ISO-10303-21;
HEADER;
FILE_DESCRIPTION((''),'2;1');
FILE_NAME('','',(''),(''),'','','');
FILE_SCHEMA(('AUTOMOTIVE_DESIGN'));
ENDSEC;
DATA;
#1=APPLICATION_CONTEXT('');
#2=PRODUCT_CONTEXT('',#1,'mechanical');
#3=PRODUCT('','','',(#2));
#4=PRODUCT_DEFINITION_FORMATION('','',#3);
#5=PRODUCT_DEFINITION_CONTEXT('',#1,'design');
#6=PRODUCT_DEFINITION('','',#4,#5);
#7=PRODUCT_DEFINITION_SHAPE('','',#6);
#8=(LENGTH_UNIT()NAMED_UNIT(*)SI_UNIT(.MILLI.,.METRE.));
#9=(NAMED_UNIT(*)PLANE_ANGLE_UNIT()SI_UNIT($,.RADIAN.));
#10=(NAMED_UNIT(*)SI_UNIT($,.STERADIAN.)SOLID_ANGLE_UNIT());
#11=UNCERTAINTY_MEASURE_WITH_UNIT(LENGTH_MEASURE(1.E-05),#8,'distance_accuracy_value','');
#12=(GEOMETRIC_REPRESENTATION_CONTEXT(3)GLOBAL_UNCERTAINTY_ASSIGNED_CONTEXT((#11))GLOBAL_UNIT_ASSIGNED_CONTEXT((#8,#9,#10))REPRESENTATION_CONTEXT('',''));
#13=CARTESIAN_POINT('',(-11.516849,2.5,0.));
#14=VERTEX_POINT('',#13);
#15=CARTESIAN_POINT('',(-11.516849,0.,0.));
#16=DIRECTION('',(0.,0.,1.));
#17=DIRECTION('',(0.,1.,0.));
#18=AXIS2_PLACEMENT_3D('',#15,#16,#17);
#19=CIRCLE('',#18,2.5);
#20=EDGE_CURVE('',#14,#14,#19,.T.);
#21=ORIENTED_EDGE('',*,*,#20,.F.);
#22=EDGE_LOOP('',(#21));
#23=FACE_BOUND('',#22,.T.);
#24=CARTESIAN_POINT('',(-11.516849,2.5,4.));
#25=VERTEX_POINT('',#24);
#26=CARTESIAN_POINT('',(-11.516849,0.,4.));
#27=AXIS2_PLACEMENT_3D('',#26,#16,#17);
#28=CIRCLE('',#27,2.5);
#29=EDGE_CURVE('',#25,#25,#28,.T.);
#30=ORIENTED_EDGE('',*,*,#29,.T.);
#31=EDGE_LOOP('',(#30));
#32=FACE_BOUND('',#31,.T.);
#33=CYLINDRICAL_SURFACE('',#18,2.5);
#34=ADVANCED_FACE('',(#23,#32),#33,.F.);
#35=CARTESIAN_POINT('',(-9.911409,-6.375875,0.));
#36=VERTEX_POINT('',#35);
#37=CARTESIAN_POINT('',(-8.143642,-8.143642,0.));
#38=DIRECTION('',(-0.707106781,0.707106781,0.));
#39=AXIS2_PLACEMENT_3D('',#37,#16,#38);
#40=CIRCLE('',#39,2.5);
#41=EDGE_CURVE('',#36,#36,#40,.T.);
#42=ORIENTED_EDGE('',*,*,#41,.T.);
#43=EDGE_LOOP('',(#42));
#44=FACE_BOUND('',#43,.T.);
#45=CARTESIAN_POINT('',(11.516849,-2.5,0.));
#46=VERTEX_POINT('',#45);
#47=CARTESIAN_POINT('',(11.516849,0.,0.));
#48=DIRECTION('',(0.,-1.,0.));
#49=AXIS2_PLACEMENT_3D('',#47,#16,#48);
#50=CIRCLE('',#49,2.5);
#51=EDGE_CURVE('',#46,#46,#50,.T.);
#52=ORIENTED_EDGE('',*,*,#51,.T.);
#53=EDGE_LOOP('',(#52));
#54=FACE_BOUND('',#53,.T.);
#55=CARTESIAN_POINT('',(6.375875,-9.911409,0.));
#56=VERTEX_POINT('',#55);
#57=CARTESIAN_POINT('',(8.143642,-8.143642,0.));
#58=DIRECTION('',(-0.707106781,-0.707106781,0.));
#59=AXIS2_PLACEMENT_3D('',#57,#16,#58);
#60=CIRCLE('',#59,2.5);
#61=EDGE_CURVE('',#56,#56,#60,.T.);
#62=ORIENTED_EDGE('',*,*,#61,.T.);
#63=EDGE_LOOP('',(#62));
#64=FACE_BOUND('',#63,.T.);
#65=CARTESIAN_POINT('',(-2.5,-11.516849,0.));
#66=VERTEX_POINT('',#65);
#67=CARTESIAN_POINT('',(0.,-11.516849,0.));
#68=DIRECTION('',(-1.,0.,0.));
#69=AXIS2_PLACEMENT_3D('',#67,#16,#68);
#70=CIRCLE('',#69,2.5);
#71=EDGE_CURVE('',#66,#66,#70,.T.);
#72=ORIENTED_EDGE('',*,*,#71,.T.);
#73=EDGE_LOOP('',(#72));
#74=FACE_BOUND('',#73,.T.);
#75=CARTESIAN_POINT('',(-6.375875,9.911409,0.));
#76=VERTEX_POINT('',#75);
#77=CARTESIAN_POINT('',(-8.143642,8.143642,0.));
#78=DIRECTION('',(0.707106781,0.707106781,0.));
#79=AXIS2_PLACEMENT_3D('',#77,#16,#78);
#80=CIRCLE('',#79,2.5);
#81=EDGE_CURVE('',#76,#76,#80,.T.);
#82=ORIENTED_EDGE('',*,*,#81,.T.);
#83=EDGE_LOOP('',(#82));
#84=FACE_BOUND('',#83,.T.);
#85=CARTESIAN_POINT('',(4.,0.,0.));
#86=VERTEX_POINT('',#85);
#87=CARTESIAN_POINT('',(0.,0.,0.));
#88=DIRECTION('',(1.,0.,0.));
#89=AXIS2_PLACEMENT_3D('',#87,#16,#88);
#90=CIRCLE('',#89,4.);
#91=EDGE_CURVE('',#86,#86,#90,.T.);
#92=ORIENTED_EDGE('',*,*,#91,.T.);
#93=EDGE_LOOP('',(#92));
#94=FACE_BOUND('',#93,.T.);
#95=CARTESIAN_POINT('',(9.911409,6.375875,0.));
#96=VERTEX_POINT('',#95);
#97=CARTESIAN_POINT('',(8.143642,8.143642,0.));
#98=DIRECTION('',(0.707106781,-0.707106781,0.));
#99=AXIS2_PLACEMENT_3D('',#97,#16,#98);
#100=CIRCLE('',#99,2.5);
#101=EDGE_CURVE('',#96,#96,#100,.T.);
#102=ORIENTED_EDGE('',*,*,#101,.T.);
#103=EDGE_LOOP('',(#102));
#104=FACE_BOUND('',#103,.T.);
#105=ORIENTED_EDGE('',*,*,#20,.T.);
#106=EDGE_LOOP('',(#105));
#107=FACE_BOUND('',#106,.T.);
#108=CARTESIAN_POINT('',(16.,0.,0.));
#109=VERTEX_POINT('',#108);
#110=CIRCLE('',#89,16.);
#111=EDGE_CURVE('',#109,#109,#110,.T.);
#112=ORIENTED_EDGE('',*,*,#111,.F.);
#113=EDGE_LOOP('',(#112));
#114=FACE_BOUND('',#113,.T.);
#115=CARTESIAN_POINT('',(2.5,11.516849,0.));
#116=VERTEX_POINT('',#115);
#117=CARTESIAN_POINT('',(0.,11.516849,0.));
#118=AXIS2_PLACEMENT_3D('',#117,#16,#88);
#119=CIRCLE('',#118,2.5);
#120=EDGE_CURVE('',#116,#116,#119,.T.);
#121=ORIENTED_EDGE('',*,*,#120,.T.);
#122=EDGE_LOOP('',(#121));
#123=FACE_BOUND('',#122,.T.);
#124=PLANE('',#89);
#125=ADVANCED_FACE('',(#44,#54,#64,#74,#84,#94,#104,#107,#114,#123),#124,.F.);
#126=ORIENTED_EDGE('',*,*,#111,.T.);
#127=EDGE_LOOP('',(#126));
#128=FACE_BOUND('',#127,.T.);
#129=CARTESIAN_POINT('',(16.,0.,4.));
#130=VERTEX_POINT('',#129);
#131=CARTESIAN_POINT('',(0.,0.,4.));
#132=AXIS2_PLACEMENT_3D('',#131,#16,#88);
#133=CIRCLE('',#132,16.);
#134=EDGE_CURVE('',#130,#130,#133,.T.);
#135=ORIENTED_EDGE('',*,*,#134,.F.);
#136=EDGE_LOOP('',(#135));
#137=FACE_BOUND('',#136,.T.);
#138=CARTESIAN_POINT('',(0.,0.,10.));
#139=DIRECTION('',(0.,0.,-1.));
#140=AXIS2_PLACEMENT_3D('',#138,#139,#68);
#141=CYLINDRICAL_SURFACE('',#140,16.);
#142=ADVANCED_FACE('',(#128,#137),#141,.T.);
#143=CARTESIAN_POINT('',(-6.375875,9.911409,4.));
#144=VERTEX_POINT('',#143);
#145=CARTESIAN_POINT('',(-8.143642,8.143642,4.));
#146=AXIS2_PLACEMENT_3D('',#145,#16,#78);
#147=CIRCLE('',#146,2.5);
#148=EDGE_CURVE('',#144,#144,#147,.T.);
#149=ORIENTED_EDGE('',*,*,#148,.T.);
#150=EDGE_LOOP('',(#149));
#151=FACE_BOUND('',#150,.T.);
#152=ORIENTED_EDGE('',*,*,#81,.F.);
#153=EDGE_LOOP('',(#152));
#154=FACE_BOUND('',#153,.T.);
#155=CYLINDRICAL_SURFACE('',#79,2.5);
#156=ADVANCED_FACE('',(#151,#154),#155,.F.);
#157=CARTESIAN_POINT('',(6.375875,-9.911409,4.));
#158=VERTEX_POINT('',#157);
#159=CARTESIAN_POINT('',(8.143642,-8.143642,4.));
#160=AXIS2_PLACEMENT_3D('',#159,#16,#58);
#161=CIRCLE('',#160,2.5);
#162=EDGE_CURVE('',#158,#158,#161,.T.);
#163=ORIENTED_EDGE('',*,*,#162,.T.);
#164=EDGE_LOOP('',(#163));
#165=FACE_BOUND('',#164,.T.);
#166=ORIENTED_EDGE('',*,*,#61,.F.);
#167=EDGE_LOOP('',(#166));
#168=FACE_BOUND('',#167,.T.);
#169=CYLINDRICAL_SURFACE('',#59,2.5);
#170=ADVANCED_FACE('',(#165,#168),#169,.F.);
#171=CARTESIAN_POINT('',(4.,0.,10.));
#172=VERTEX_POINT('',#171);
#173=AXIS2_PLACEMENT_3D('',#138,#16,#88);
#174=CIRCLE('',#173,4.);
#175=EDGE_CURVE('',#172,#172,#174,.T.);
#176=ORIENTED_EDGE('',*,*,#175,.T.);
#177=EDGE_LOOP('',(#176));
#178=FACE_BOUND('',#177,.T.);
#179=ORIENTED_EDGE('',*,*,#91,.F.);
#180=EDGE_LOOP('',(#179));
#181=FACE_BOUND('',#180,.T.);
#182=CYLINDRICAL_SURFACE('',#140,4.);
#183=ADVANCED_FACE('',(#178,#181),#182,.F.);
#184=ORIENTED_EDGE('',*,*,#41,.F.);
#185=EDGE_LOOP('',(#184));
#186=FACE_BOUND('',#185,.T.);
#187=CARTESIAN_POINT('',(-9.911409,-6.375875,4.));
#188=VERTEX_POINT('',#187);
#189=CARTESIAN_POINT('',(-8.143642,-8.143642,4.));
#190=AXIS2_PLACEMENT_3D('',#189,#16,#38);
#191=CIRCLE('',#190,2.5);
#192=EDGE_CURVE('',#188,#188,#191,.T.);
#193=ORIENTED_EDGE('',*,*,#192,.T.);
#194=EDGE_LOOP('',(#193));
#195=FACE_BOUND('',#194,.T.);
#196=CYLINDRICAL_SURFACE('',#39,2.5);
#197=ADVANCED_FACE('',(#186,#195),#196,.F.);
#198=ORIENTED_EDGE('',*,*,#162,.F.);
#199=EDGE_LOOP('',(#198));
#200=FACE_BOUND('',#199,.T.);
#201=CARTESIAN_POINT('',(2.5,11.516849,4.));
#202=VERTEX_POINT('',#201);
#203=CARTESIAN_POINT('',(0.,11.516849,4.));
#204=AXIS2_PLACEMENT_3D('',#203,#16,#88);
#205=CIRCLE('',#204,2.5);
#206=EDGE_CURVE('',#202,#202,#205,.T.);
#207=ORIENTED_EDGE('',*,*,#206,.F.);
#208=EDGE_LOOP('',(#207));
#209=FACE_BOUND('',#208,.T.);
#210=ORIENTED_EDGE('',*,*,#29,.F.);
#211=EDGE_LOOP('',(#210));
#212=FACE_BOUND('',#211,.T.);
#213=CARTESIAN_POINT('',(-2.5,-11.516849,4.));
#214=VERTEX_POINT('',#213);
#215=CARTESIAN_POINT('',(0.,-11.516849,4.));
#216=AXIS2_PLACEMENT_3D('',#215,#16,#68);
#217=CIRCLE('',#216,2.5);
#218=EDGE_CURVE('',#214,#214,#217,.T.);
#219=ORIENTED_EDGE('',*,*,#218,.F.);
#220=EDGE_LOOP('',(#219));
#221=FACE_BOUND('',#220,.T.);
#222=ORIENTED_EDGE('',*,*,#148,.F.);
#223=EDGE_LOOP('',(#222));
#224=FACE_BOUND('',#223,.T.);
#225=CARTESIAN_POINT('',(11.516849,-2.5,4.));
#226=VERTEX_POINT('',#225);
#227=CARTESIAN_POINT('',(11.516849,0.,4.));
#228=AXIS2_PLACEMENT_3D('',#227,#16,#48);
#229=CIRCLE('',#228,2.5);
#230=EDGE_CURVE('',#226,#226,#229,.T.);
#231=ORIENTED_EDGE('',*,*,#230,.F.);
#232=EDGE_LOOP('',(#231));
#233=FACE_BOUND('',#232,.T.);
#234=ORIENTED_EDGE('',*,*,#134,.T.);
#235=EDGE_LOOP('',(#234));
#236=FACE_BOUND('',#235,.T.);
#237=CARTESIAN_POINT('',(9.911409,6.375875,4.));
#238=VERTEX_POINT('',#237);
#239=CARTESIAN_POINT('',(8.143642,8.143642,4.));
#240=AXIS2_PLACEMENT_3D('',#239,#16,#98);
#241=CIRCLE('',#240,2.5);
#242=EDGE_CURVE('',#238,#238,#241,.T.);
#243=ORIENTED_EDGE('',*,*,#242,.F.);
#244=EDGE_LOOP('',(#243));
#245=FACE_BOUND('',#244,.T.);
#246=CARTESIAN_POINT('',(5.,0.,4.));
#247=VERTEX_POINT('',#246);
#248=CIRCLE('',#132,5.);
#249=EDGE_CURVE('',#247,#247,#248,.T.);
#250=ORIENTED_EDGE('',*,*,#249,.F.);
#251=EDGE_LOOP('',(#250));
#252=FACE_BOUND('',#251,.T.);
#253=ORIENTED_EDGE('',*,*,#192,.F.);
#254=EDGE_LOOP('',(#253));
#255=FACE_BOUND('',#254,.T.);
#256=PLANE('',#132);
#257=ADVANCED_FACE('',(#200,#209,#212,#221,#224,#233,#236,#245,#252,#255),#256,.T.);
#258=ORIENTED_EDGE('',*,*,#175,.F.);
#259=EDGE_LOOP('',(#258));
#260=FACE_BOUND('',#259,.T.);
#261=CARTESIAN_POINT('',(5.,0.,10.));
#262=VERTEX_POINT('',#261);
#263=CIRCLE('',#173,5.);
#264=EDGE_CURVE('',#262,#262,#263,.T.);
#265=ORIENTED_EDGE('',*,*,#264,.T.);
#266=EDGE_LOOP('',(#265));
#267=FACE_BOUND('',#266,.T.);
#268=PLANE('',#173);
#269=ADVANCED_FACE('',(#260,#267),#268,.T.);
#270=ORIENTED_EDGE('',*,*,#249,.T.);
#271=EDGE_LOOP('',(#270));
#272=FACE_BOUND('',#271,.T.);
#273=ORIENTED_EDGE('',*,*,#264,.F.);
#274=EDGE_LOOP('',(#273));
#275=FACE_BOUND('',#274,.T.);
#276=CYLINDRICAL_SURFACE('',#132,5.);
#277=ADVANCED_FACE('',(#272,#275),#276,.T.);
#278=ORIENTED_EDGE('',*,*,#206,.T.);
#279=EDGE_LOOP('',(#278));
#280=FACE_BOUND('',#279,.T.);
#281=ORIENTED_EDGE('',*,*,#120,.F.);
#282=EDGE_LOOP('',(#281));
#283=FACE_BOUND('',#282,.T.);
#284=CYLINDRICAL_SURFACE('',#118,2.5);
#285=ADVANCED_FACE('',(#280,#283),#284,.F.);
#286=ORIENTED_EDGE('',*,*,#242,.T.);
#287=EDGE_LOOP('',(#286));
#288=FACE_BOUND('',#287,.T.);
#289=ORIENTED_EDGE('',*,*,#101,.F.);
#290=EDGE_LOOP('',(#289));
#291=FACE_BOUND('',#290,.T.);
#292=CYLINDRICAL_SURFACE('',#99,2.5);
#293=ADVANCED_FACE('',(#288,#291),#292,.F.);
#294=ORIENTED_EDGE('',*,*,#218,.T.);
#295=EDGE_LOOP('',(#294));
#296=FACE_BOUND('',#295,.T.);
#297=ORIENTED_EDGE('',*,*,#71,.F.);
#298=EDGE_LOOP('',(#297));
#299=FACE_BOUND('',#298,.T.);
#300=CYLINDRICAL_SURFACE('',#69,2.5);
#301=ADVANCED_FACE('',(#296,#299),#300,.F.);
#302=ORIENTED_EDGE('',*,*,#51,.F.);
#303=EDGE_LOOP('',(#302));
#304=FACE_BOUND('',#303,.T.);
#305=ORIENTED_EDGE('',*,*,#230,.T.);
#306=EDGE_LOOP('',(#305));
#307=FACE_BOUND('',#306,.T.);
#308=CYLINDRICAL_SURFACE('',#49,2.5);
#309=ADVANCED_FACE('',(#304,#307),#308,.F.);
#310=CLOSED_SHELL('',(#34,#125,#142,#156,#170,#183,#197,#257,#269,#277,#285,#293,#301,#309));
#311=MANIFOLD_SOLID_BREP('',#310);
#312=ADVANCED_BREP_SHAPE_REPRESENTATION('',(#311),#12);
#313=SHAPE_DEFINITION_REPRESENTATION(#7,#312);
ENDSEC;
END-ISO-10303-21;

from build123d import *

# Parameters (mm, degrees)
SKETCH_1_R               = 16
SKETCH_1_R_2             = 4
EXTRUDE_2_DEPTH          = 10
SKETCH_3_R               = 16
SKETCH_3_R_2             = 5
CUT_EXTRUDE_2_DEPTH      = 6
SKETCH_4_R               = 2.5
CUT_EXTRUDE_3_DEPTH      = 5
PATTERN_CIRCULAR_1_COUNT = 8


with BuildPart() as part:
    # 草图1 → 凸台-拉伸2 (new body)
    with BuildSketch(Plane.XY):
        Circle(SKETCH_1_R)
        Circle(SKETCH_1_R_2, mode=Mode.SUBTRACT)
    extrude(amount=EXTRUDE_2_DEPTH)

    # 草图3 → 切除-拉伸2 (cut)
    with BuildSketch(Plane.XY.offset(10)):
        Circle(SKETCH_3_R)
        Circle(SKETCH_3_R_2, mode=Mode.SUBTRACT)
    extrude(amount=-CUT_EXTRUDE_2_DEPTH, mode=Mode.SUBTRACT)

    # 草图4 → 切除-拉伸3 (cut, through all)
    with BuildSketch(Plane.XY.offset(4)):
        with Locations((0, 11.516849164)):
            Circle(SKETCH_4_R)
    cut_extrude_3 = extrude(amount=-CUT_EXTRUDE_3_DEPTH, mode=Mode.SUBTRACT)

    # 阵列(圆周)1: 切除-拉伸3 ×8 about axis
    pattern_circular_1_axis = Axis((0, 0, 0), (0, 0, 1))
    for i in range(1, PATTERN_CIRCULAR_1_COUNT):
        add(cut_extrude_3.rotate(pattern_circular_1_axis, i * 360 / PATTERN_CIRCULAR_1_COUNT), mode=Mode.SUBTRACT)


solid = part.part
